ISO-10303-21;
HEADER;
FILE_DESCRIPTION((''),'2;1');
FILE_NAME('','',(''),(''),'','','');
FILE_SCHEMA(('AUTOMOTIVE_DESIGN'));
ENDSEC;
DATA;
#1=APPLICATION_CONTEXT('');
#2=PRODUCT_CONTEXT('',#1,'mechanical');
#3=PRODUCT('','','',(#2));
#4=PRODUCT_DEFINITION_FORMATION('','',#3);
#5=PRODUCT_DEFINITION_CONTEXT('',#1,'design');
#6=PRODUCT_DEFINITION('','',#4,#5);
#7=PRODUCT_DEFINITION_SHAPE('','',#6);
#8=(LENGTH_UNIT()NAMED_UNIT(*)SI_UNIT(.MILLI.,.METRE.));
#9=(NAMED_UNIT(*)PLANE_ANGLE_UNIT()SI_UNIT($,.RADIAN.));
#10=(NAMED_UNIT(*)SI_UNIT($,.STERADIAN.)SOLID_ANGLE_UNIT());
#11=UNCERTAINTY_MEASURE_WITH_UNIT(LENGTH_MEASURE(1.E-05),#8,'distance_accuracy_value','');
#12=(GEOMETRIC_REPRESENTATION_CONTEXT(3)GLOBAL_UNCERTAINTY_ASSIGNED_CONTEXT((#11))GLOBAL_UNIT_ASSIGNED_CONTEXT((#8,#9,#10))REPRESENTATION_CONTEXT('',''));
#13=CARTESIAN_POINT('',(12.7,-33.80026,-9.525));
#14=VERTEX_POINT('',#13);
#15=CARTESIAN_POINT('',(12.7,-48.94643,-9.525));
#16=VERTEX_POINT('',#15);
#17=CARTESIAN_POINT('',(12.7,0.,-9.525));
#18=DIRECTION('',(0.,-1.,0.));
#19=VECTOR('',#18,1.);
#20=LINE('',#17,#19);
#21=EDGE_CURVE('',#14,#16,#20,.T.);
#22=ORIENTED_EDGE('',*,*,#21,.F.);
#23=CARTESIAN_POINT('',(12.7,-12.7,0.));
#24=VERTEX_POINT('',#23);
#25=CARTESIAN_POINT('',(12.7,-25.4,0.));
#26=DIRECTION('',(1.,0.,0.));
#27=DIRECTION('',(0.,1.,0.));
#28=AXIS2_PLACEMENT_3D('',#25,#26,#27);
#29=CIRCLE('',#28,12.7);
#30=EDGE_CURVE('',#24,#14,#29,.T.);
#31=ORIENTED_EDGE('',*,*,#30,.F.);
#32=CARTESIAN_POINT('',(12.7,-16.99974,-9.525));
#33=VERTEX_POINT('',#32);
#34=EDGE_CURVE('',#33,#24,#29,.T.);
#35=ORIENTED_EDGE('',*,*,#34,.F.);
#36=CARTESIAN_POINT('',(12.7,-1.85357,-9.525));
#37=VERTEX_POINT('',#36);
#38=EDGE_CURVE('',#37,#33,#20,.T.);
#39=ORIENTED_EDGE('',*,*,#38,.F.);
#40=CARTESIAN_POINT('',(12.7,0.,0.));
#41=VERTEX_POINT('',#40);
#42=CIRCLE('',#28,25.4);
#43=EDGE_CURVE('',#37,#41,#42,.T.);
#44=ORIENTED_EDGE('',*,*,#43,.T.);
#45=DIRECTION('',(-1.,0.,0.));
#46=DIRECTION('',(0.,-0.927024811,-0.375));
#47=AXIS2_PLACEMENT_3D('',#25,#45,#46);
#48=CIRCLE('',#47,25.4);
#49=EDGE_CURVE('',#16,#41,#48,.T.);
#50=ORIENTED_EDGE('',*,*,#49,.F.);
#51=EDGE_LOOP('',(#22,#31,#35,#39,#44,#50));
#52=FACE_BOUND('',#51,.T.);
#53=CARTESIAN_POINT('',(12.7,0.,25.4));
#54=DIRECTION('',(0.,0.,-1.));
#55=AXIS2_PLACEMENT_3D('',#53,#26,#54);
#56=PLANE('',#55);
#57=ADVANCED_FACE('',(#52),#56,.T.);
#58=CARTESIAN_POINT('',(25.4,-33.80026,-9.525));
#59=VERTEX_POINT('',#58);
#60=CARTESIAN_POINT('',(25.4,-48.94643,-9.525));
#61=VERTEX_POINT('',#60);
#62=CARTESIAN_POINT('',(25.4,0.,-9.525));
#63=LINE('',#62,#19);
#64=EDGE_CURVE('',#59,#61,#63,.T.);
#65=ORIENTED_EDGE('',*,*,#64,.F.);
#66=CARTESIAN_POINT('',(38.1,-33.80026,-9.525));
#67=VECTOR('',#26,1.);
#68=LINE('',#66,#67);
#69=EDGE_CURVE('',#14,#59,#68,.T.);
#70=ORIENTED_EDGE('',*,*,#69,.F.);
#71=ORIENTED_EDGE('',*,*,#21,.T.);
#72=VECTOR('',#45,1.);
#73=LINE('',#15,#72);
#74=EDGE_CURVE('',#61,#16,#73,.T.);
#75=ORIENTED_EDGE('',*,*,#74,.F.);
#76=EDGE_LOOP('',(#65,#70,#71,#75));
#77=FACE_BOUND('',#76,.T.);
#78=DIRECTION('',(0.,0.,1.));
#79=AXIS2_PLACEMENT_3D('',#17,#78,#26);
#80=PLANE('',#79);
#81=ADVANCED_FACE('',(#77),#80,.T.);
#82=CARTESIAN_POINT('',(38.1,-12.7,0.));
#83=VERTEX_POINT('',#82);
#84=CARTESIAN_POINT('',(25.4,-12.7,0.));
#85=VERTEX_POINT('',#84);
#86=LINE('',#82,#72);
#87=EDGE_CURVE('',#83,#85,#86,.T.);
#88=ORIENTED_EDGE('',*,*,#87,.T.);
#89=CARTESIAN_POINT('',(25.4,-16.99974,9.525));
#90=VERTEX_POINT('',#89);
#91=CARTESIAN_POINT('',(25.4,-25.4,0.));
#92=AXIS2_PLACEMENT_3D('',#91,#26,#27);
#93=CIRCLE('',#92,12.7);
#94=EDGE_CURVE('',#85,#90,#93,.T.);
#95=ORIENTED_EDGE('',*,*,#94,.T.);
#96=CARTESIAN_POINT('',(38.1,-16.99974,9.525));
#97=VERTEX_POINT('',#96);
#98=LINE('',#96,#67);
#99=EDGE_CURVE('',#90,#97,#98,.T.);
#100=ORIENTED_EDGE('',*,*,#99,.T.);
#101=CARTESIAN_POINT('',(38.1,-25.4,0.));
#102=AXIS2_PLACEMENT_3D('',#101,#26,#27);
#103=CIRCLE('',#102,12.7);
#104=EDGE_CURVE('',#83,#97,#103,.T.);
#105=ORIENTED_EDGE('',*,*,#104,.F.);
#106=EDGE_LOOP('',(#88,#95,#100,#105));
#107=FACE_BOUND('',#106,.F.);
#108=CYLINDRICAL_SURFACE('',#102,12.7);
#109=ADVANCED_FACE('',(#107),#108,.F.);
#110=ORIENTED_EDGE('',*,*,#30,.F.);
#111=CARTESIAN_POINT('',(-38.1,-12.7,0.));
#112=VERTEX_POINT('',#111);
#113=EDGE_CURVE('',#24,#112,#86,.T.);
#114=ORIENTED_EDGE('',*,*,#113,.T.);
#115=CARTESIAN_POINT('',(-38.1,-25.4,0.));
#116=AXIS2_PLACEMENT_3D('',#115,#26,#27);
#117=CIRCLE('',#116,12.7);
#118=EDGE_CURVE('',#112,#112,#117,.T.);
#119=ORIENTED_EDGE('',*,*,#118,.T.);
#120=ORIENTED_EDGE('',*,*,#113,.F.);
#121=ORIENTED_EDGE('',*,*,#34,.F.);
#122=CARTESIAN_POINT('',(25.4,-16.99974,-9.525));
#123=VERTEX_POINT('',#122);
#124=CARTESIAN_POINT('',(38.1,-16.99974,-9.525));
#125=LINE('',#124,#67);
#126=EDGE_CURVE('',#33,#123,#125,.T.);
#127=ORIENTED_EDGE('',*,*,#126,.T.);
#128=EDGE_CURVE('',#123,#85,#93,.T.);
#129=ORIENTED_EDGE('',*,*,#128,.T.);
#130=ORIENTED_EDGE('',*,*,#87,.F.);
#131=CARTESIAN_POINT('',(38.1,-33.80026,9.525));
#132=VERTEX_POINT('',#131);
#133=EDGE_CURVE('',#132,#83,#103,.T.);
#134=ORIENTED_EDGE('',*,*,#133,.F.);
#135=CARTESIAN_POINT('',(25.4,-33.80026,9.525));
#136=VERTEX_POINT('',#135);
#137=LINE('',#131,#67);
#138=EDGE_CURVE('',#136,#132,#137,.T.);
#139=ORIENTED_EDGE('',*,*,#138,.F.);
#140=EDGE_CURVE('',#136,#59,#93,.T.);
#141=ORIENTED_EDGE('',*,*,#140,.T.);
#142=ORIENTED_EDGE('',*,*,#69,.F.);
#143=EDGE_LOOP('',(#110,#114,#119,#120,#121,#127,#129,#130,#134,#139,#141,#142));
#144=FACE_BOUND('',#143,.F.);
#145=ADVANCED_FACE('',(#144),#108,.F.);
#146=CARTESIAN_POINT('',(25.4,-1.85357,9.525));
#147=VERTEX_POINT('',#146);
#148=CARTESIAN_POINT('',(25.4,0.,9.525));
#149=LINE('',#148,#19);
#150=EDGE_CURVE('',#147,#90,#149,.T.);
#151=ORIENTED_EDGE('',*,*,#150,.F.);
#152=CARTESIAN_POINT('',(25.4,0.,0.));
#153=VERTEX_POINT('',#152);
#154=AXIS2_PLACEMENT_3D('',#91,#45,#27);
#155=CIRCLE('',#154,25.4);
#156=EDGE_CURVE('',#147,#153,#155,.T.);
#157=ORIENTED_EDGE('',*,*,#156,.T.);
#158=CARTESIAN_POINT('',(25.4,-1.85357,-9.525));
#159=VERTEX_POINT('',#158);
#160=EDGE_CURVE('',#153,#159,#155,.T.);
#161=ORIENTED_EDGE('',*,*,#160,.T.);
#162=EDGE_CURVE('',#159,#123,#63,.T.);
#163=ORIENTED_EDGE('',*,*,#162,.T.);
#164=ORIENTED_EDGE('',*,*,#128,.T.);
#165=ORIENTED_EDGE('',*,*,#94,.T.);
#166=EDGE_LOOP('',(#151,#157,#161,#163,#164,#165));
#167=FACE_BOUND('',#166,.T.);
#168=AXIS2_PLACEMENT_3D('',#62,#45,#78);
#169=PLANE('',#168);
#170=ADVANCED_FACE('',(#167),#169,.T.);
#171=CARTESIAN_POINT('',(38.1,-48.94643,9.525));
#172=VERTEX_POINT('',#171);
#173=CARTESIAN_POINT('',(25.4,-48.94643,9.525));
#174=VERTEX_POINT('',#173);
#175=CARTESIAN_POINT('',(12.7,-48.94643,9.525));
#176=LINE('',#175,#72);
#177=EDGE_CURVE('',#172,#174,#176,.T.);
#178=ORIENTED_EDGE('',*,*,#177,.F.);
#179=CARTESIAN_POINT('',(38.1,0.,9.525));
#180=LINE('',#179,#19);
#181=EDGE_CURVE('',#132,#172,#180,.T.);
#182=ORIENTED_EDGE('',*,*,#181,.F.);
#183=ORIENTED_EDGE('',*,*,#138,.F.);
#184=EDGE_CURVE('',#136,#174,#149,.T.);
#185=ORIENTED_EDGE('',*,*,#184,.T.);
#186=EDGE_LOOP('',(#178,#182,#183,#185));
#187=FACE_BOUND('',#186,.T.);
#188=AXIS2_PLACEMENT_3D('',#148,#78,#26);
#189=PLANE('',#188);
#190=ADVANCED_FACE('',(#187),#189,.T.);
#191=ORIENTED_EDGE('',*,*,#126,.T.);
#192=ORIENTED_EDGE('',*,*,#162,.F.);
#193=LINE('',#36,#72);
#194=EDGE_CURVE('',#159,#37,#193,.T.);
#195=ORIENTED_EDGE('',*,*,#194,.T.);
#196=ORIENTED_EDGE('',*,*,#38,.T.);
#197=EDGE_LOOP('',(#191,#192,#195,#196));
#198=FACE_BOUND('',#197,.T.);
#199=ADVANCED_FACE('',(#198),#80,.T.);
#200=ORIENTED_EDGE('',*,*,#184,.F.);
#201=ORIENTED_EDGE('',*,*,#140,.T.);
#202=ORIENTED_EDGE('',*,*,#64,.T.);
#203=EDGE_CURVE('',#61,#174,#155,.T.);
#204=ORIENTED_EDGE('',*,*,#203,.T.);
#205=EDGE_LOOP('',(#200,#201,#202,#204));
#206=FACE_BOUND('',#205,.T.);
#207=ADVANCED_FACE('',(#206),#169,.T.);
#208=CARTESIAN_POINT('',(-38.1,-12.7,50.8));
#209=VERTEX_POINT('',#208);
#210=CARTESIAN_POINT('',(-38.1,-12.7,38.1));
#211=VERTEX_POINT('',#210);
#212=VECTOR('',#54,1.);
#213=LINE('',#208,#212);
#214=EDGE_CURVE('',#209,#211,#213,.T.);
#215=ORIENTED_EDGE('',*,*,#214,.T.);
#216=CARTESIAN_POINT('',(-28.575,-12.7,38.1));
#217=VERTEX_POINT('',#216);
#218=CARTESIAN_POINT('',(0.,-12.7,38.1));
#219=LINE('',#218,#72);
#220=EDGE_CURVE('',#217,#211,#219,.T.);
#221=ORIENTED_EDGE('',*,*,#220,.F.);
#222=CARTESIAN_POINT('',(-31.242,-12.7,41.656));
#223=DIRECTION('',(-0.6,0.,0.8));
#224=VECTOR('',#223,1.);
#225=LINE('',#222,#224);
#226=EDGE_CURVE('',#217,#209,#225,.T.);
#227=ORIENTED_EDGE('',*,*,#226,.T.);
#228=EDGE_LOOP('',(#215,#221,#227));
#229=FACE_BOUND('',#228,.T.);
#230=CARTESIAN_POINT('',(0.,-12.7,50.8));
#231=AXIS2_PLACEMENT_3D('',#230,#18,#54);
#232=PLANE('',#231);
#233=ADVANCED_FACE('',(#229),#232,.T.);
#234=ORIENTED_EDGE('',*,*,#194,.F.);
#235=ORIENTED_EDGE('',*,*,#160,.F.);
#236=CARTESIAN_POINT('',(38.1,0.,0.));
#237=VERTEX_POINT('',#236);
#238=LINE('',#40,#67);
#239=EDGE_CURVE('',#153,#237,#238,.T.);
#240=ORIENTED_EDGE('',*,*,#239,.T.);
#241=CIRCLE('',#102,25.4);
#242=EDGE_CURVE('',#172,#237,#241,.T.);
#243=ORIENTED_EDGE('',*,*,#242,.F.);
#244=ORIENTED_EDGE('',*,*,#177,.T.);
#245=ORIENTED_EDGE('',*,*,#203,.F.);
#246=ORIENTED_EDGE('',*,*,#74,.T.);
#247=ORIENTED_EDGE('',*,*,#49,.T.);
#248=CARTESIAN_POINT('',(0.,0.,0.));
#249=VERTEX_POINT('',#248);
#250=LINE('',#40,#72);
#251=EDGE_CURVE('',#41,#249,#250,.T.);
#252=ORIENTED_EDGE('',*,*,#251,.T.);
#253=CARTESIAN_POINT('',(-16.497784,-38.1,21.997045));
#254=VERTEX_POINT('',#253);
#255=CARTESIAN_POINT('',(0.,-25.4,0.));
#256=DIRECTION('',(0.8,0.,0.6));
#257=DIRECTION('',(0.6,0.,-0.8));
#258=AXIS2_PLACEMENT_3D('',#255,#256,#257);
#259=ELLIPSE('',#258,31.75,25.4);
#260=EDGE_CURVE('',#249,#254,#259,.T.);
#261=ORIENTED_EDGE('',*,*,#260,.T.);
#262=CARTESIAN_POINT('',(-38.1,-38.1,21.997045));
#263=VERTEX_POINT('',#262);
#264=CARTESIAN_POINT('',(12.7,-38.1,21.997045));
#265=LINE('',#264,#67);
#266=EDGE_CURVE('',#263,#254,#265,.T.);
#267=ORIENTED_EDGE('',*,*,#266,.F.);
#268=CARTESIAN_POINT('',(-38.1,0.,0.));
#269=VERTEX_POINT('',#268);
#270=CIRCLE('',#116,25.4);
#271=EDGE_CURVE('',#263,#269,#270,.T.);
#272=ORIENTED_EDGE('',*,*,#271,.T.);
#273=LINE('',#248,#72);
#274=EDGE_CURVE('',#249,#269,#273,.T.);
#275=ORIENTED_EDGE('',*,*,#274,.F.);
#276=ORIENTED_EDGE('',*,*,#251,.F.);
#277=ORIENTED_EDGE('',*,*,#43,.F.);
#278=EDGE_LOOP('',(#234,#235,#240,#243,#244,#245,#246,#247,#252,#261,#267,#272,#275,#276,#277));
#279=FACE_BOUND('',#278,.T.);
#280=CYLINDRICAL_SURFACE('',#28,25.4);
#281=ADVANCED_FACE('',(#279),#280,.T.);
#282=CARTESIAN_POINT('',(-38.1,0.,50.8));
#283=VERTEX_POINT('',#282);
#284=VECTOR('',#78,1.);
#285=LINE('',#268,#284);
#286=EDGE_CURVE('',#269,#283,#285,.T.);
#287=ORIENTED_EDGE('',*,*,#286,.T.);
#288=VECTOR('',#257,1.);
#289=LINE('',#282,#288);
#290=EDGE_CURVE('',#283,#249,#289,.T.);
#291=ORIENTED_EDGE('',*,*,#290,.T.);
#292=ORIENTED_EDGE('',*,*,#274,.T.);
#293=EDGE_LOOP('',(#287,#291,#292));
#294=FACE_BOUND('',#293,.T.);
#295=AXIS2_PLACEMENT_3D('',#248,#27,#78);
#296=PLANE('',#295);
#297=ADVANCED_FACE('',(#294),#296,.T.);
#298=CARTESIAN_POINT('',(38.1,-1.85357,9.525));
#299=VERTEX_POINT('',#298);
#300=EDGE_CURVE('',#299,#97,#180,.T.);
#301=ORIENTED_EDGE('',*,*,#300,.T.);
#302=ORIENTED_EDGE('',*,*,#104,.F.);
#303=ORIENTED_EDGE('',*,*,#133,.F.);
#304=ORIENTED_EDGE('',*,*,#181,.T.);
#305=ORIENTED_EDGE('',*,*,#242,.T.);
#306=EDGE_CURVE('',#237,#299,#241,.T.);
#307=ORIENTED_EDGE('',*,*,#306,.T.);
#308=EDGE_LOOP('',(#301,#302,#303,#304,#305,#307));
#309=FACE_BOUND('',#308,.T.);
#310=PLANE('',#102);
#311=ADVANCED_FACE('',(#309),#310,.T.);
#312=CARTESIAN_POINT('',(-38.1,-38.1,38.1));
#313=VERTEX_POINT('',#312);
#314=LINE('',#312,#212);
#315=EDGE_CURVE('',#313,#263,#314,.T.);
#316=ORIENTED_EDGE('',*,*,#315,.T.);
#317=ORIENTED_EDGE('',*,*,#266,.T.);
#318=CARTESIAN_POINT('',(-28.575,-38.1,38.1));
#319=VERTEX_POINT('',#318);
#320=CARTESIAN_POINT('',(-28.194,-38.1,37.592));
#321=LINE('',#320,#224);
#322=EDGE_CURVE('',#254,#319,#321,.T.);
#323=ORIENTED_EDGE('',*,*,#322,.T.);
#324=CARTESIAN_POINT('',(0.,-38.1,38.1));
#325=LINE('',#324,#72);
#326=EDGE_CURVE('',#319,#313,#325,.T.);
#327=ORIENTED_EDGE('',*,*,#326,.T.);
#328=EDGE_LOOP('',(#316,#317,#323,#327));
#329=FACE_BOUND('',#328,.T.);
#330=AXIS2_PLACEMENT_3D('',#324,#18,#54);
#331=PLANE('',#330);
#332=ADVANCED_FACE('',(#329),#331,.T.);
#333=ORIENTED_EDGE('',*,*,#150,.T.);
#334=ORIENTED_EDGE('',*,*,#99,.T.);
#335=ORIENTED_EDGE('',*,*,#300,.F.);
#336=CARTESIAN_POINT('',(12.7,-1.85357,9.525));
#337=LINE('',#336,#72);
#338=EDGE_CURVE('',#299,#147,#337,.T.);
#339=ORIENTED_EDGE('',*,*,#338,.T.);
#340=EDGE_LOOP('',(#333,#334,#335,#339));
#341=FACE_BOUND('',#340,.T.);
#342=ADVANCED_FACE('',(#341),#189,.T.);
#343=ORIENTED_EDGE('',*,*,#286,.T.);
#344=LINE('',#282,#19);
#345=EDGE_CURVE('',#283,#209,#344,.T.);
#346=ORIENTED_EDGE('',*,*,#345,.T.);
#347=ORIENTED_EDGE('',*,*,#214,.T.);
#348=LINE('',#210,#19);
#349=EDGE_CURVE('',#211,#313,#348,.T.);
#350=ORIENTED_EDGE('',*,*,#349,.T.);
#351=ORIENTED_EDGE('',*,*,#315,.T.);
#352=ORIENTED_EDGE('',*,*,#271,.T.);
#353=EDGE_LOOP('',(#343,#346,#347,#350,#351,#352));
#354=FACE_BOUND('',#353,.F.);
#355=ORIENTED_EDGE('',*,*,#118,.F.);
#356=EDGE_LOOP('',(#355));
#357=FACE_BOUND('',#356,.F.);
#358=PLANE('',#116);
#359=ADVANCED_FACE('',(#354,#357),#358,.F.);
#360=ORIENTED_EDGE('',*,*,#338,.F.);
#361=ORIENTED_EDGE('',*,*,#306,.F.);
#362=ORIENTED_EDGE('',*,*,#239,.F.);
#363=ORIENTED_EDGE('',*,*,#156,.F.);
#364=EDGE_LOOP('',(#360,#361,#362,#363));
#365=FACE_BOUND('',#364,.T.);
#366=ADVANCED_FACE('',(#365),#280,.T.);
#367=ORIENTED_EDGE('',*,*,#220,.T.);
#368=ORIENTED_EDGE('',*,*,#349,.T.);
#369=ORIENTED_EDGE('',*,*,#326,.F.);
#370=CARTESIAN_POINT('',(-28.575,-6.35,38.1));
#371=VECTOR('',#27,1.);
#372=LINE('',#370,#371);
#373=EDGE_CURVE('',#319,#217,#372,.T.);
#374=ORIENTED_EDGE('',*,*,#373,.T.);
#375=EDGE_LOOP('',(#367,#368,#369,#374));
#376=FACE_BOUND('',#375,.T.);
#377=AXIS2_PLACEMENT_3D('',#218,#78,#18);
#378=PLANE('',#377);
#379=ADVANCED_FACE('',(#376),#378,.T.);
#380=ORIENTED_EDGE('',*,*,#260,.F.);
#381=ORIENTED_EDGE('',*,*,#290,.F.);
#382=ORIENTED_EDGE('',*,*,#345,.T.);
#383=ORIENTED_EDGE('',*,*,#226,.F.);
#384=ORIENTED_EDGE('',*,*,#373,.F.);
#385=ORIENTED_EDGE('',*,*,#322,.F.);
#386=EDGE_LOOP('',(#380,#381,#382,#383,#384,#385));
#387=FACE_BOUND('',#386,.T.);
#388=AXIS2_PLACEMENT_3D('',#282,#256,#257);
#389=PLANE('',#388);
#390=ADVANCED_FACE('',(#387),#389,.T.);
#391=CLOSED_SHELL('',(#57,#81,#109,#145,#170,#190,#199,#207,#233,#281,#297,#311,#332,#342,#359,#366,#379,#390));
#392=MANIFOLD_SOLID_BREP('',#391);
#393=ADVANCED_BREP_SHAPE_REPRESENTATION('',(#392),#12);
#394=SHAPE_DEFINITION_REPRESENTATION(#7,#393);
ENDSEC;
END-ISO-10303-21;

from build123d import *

# Parameters (mm, degrees)
F1_DEPTH  = 38.1
F3_DEPTH  = 38.101
F5_R      = 25.4
F6_DEPTH  = 50.8
F6_FACE_R = 25.4
F7_DEPTH  = 25.4
F8_R      = 12.7
F9_DEPTH  = 76.201
F11_DEPTH = 50.801


with BuildPart() as f1:
    # F0 (on Right) → F1 (new body)
    with BuildSketch(Plane.YZ):
        Polygon((-38.1, 0), (0, 0), (0, 50.8), (-12.7, 50.8), (-12.7, 38.1), (-38.1, 38.1), align=None)
    extrude(amount=-F1_DEPTH)

    # F2 (on Front) → F3 (cut, through all)
    with BuildSketch(Plane.XZ):
        Polygon((-38.1, 50.8), (0, 0), (0, 50.8), align=None)
    extrude(amount=F3_DEPTH, mode=Mode.SUBTRACT)

    # F5 (on offset) → F6 (join)
    with BuildSketch(Plane.YZ.offset(12.7)):
        with Locations((-25.4, 0)):
            Circle(F5_R)
    extrude(amount=-F6_DEPTH)

    # F6_face (on face) → F7 (join)
    with BuildSketch(Plane(origin=(12.7, -25.4, 0), x_dir=(0, 1, 0), z_dir=(1, 0, 0))):
        Circle(F6_FACE_R)
    extrude(amount=F7_DEPTH)

    # F8 (on face) → F9 (cut, through all)
    with BuildSketch(Plane.YZ.offset(38.1)):
        with Locations((-25.4, 0)):
            Circle(F8_R)
    extrude(amount=-F9_DEPTH, mode=Mode.SUBTRACT)

    # F10 (on Front) → F11 (cut, through all)
    with BuildSketch(Plane.XZ):
        Polygon((38.1, 9.525), (38.1, 25.4), (12.7, 25.4), (12.7, 0), (12.7, -9.525), (25.4, -9.525), (25.4, 9.525), align=None)
    extrude(amount=F11_DEPTH, mode=Mode.SUBTRACT)


solid = f1.part
